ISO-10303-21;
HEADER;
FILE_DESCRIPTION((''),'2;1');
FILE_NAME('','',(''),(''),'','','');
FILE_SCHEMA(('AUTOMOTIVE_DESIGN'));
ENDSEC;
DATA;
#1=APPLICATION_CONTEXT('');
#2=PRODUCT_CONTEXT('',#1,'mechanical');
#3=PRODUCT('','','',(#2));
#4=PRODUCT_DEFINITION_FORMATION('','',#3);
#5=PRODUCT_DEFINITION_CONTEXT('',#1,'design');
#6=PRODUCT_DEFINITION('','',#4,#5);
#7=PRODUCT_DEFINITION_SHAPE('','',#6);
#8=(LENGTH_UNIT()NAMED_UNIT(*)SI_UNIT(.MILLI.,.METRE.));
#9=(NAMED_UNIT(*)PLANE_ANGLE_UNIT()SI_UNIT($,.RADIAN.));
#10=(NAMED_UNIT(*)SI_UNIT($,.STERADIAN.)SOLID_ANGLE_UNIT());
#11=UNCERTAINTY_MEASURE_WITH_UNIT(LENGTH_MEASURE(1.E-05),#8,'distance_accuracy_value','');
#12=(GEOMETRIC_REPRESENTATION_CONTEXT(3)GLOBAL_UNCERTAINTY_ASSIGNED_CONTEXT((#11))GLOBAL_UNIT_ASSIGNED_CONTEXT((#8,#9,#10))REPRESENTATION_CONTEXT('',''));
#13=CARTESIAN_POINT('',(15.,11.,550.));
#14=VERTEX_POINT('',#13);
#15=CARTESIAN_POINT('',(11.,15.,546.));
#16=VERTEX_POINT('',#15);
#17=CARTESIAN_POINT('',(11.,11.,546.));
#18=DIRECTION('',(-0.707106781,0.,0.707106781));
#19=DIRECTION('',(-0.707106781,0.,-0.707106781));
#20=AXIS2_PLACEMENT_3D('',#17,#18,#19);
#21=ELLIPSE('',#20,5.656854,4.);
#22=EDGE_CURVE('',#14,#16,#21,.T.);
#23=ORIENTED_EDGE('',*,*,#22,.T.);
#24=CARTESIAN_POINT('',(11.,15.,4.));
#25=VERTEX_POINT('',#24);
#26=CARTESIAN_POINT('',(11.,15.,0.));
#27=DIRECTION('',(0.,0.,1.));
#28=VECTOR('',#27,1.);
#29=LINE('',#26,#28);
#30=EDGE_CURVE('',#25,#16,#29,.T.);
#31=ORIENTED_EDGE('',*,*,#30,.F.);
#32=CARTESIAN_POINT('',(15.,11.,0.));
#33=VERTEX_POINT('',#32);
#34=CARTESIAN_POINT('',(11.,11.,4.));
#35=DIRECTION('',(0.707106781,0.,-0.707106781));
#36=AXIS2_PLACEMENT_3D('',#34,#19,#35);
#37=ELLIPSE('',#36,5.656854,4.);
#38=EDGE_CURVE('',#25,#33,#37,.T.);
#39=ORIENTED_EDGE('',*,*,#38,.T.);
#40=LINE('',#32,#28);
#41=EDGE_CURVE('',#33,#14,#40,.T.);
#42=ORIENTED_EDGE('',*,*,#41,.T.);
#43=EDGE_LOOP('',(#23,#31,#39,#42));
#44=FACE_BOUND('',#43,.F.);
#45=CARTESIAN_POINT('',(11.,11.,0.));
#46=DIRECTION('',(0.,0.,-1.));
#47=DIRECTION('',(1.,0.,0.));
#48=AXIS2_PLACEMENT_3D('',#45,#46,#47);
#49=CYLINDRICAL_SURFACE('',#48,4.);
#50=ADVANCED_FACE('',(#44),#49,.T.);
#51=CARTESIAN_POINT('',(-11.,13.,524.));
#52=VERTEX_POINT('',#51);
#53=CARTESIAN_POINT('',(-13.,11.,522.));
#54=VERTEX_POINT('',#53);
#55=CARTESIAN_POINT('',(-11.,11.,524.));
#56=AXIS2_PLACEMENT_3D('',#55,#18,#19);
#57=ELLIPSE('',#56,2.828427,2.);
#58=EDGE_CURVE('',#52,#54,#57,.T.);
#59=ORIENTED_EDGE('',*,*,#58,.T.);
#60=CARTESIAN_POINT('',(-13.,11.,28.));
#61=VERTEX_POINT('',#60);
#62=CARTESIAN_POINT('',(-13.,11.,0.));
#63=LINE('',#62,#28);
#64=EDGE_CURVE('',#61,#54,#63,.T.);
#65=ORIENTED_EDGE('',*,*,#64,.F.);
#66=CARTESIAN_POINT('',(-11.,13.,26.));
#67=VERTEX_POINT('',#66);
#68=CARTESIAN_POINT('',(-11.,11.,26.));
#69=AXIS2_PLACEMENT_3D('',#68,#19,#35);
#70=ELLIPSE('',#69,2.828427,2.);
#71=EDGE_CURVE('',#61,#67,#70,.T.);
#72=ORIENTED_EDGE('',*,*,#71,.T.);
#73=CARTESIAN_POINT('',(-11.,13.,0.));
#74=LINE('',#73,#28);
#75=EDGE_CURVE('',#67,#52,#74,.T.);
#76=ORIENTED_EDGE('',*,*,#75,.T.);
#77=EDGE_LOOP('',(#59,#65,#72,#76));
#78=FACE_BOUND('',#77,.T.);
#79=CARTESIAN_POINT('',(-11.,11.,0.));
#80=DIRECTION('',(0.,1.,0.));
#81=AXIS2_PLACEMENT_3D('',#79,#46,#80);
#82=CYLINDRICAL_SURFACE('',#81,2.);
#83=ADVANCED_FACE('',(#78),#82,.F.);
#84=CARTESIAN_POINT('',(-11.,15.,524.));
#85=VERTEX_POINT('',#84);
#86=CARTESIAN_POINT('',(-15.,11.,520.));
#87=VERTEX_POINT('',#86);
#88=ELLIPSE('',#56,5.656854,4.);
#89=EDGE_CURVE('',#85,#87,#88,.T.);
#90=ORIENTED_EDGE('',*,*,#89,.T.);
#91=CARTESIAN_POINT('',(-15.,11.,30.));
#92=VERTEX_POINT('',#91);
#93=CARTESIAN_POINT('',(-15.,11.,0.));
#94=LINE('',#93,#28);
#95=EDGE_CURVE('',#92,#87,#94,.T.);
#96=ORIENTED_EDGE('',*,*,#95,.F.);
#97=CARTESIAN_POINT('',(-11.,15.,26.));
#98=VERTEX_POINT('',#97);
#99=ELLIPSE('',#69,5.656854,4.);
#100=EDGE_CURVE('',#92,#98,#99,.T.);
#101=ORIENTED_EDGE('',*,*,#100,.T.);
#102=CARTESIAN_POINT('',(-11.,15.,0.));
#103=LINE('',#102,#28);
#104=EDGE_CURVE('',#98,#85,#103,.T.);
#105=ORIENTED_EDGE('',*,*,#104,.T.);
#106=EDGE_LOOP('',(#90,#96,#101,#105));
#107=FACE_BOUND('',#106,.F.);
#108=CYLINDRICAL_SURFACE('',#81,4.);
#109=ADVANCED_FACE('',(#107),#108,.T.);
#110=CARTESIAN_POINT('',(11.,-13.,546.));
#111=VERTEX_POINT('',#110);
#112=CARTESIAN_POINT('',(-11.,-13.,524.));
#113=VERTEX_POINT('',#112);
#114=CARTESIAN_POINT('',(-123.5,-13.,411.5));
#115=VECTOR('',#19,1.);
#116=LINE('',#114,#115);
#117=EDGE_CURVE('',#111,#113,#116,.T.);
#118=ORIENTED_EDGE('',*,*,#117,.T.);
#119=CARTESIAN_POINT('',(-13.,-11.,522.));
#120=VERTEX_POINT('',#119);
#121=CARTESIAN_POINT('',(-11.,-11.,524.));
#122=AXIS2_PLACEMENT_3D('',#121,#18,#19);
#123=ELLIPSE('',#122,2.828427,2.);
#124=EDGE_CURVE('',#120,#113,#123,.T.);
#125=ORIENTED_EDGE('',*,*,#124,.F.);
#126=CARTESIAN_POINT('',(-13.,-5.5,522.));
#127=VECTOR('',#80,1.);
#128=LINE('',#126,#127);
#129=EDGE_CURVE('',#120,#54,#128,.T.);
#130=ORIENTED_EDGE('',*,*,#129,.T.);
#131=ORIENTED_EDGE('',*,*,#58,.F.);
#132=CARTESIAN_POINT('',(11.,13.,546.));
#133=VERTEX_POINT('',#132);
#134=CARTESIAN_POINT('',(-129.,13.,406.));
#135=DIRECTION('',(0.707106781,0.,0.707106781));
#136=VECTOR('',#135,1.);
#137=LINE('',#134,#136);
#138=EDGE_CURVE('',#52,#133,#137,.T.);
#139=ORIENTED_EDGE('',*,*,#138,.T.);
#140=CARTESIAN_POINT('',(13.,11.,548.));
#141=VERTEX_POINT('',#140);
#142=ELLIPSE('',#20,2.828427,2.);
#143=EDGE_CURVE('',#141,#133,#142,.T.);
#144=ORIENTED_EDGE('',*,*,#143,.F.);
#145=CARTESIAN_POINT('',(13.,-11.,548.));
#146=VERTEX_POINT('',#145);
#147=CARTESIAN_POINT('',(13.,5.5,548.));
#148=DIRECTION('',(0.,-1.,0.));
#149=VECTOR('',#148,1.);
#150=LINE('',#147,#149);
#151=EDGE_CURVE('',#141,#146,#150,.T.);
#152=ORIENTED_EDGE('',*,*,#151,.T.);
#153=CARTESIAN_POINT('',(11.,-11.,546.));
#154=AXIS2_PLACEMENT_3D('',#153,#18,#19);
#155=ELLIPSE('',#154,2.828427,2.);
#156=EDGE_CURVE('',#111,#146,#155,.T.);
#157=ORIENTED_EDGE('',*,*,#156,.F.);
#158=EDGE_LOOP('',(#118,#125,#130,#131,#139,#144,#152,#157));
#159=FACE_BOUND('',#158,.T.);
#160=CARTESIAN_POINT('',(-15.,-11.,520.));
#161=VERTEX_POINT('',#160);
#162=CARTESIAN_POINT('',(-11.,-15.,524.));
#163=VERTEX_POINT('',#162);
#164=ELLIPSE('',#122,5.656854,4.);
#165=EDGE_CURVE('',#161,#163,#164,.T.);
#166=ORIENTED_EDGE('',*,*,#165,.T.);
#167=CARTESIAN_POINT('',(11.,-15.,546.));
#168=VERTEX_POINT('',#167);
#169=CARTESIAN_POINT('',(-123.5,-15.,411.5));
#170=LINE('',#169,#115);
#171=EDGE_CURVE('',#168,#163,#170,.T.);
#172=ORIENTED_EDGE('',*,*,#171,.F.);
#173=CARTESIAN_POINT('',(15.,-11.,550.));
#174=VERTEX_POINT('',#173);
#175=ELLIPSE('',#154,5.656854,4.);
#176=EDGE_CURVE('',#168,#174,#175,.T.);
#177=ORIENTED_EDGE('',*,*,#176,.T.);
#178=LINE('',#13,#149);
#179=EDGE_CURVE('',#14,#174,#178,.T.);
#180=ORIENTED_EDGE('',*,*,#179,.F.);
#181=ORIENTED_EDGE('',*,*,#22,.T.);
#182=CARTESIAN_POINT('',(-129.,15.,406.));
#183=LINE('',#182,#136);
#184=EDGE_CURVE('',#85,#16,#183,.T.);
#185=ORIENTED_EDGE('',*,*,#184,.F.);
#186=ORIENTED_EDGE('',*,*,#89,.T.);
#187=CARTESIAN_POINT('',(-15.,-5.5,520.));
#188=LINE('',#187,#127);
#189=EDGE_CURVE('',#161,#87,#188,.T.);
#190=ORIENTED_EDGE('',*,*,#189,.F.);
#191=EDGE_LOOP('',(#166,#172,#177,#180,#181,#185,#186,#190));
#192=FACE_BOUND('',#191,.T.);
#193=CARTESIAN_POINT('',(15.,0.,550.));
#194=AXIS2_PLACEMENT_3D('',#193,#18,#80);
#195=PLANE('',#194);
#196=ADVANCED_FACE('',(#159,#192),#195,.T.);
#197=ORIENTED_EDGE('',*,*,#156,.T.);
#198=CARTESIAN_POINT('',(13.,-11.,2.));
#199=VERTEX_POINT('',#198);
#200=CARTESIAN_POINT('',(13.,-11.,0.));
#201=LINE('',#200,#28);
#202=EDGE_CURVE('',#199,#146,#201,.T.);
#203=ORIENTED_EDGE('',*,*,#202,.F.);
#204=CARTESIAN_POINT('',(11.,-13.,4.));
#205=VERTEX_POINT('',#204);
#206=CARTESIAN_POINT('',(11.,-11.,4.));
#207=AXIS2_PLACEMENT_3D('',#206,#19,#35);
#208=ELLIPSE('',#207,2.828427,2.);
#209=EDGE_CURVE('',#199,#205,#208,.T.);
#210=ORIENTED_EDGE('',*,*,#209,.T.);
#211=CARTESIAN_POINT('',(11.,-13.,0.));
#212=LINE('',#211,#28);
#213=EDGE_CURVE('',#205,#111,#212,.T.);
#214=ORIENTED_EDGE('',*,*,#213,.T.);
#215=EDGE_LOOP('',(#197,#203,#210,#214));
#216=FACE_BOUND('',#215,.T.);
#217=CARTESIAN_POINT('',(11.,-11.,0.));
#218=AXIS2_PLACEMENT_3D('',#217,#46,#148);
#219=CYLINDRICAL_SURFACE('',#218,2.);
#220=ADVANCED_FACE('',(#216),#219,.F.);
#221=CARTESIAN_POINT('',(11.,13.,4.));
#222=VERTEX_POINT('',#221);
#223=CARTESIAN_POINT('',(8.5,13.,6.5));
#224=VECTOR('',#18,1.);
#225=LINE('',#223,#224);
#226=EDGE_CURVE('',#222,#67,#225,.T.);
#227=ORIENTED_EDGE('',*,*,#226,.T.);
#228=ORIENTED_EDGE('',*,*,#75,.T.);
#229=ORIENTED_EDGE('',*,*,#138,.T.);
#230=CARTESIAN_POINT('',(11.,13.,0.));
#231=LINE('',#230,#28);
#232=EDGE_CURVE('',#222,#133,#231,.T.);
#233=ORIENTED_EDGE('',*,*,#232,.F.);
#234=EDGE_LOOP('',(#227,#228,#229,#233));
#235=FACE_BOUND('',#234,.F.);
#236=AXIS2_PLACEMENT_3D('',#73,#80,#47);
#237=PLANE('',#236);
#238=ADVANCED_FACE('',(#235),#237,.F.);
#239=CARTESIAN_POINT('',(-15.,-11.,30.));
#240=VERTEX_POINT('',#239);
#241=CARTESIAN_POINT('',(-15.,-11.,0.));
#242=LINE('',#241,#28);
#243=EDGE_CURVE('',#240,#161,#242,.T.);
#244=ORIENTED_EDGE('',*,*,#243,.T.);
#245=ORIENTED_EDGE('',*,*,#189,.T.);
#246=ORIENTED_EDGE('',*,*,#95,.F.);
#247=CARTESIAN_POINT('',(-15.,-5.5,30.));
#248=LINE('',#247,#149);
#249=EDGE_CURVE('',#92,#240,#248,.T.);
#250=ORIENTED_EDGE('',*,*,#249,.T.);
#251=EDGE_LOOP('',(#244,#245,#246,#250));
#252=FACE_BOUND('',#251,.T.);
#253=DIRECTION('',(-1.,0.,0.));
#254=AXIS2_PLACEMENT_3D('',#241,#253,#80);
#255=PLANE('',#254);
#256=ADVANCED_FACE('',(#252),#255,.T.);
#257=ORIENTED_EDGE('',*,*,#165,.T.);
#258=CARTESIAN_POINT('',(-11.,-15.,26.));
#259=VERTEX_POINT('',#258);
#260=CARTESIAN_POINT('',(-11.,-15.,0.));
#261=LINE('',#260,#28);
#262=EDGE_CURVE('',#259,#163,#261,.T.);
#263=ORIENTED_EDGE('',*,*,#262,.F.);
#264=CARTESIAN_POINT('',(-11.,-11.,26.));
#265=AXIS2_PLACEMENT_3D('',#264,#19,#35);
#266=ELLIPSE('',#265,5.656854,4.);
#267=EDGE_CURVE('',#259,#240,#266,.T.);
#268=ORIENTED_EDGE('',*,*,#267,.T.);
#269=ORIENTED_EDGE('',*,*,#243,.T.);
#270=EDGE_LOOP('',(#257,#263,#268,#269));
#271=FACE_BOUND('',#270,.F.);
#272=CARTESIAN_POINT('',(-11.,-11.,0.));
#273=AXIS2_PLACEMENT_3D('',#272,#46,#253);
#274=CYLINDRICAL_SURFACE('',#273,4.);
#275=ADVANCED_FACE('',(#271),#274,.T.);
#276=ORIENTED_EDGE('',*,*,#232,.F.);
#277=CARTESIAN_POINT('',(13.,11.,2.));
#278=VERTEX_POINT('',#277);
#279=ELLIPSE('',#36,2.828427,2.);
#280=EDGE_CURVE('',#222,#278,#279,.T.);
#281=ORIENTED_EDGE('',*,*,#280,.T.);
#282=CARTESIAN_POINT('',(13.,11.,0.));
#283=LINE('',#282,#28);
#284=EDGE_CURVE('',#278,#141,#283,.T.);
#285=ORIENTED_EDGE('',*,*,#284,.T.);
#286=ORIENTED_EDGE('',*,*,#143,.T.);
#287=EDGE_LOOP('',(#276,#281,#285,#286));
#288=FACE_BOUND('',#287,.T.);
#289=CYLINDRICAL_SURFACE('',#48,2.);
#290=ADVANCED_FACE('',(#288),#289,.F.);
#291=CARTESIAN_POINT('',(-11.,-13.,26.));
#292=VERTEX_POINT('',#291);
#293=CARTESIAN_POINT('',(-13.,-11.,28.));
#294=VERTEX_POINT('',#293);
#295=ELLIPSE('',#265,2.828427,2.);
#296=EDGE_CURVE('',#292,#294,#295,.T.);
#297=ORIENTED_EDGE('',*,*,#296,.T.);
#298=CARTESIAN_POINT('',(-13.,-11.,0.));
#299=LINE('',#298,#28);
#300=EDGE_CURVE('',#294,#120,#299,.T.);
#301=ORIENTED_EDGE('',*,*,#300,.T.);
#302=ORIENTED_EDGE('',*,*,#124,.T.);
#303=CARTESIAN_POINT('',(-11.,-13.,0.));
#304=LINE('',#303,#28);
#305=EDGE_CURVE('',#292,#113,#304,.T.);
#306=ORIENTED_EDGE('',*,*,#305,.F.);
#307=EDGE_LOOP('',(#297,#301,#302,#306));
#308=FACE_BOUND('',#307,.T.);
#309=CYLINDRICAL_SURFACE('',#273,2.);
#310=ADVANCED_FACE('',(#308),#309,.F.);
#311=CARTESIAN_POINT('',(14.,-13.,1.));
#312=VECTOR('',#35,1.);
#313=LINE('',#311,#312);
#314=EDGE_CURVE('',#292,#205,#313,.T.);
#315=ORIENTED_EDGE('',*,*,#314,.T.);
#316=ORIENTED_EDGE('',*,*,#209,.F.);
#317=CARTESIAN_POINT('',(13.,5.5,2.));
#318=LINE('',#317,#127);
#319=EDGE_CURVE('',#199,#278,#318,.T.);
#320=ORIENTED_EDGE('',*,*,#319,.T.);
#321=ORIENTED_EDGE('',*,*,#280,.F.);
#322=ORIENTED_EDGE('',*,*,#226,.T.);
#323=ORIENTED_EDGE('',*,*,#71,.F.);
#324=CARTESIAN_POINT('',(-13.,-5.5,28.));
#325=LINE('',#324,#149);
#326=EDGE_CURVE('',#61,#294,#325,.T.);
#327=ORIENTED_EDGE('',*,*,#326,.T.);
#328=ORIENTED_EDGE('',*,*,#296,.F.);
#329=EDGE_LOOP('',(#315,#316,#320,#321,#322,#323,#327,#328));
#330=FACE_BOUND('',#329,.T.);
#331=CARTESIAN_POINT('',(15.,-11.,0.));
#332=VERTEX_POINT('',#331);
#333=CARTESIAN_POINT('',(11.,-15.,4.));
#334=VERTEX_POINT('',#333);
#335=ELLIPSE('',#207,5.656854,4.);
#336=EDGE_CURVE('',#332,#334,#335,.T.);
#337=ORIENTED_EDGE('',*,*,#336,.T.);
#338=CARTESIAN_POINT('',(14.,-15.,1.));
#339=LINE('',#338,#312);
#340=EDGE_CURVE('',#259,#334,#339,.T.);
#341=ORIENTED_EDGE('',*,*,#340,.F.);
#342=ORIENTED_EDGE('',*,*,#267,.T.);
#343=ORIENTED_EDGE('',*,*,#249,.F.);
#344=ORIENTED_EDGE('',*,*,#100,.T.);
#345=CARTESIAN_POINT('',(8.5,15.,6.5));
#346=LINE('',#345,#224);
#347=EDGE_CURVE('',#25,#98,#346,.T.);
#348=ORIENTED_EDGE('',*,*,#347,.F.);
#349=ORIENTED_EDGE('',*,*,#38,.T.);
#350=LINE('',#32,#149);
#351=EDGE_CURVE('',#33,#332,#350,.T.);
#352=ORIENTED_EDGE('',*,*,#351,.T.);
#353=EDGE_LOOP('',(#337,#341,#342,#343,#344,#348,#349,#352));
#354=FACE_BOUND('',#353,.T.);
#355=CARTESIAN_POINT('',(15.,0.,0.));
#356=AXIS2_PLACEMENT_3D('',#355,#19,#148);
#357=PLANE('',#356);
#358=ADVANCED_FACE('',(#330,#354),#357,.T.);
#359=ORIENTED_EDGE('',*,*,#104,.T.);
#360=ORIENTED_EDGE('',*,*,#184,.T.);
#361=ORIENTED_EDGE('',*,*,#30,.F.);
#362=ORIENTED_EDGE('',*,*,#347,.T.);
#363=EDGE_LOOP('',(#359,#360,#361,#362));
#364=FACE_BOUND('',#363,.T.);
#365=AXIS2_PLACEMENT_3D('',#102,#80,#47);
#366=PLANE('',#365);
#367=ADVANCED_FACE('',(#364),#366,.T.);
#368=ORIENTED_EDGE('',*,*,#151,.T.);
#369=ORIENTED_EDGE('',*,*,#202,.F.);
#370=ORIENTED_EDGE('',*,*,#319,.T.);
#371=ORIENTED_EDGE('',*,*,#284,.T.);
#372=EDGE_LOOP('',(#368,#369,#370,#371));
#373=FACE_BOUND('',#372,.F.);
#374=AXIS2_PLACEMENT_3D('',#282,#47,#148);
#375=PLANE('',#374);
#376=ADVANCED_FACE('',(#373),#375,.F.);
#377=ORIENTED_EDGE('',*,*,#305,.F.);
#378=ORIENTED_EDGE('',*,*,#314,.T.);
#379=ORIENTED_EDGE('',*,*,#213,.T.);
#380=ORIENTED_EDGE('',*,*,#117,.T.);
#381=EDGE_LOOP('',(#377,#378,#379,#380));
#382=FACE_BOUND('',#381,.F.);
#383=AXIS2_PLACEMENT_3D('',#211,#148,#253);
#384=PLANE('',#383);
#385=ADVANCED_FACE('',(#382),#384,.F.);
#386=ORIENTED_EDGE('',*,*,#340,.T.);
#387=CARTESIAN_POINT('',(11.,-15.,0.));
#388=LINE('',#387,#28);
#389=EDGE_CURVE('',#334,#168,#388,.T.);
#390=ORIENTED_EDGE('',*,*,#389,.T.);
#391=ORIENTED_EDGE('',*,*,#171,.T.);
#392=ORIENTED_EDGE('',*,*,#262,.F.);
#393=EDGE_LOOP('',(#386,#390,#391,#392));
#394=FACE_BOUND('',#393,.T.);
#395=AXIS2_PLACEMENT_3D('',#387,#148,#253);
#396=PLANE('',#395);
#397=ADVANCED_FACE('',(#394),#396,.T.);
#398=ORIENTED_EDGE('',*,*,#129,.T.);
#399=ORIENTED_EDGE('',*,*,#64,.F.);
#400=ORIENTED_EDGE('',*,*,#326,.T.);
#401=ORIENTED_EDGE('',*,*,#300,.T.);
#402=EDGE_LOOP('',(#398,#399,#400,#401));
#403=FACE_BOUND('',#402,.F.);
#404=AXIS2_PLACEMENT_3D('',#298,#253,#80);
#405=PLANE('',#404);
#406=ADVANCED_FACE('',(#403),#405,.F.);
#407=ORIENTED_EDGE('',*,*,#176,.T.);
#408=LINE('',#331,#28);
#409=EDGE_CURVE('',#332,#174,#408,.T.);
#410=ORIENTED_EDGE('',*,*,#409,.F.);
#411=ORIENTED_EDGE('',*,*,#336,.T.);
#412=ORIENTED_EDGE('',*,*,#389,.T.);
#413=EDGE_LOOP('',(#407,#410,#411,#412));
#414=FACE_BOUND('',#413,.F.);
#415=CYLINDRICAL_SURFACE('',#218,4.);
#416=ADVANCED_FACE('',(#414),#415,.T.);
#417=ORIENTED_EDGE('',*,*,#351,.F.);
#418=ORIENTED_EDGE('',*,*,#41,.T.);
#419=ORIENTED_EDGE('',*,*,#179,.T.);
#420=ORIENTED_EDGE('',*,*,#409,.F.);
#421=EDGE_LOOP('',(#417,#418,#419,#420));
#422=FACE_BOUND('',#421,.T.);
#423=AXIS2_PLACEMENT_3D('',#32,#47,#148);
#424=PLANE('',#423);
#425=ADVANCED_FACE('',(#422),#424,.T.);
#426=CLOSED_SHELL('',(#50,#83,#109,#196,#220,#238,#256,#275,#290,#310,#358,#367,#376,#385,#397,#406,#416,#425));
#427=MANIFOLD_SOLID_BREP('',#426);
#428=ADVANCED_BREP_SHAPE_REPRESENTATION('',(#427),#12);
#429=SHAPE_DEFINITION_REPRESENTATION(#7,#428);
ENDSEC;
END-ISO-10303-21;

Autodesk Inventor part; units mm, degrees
ref_plane "Plano inicial" through (0, 0, 0) normal (0, 0, 1) x (1, 0, 0)
ref_plane "Plano final" through (0, 0, 550) normal (0, 0, 1) x (1, 0, 0)
sketch "Esboço" plane through (0, 0, 0) normal (0, 0, 1) x (1, 0, 0)
  line L0 (-15, -11) -> (-15, 11)
  line L1 (-11, 15) -> (11, 15)
  line L2 (15, 11) -> (15, -11)
  line L3 (11, -15) -> (-11, -15)
  arc A0 (-15, -11) -> (-11, -15) centre (-11, -11) ccw
  arc A1 (15, 11) -> (11, 15) centre (11, 11) ccw
  arc A2 (-11, 15) -> (-15, 11) centre (-11, 11) ccw
  arc A3 (11, -15) -> (15, -11) centre (11, -11) ccw
  arc A4 (-11, 13) -> (-13, 11) centre (-11, 11) ccw
  line L4 (-11, 13) -> (11, 13)
  arc A5 (13, 11) -> (11, 13) centre (11, 11) ccw
  line L5 (13, 11) -> (13, -11)
  arc A6 (11, -13) -> (13, -11) centre (11, -11) ccw
  line L6 (11, -13) -> (-11, -13)
  arc A7 (-13, -11) -> (-11, -13) centre (-11, -11) ccw
  line L7 (-13, -11) -> (-13, 11)
  line L8 (0, 22.1598) -> (0, -22.1598) construction
  line L9 (-22.1598, 0) -> (22.1598, 0) construction
  dimension "d7" = 4
  dimension "d9" = 30
  dimension "d11" = 30
  dimension "d12" = 2
  dimension "d15" = 15
  dimension "d16" = 15
extrude "Corpo" add sketch "Esboço" along normal up to surface (550 mm away) from surface at 0
sketch "Sketch3" plane through (0, 0, 0) normal (0, 0, 1) x (1, 0, 0)
  line L0 (0, 0) -> (10, 0)
ref_plane "Work Plane3" through (0, 0, 0) normal (0, -1, 0) x (1, 0, 0)
sketch "Sketch4" plane through (0, 0, 0) normal (0, -1, 0) x (1, 0, 0)
  line L0 (-2, 0) -> (12, 0)
  line L1 (-2, 550) -> (12, 550)
  dimension "d18" = 550
ref_plane "Plano de trabalho6" through (15, 0, 0) normal (-0.7071, 0, -0.7071) x (-0.7071, 0, 0.7071)
split "Dividir3" plane through (15, 0, 0) removes the side toward (-0.7071, 0, -0.7071)
ref_plane "Plano de trabalho7" through (15, 0, 550) normal (-0.7071, 0, 0.7071) x (0.7071, 0, 0.7071)
split "Dividir4" plane through (15, 0, 550) removes the side toward (-0.7071, 0, 0.7071)
equation "\"d7\" = G_IR"
equation "\"d9\" = G_W"
equation "\"d11\" = G_H"
equation "\"d12\" = G_T"
equation "\"d15\" = 0.5 * d9"
equation "\"d16\" = 0.5 * d11"
equation "\"d3\" = G_L"
equation "\"G_W\" = 30"
equation "\"G_H\" = 30"
equation "\"G_T\" = 2"
equation "\"G_IR\" = 4"
equation "\"G_L\" = d18"
equation "\"G_OFFSET_START\" = 0"
equation "\"G_OFFSET_END\" = 0"
properties part number "ISO 10799-2 - 30x30x2 - 550" material "Aço, suave"
